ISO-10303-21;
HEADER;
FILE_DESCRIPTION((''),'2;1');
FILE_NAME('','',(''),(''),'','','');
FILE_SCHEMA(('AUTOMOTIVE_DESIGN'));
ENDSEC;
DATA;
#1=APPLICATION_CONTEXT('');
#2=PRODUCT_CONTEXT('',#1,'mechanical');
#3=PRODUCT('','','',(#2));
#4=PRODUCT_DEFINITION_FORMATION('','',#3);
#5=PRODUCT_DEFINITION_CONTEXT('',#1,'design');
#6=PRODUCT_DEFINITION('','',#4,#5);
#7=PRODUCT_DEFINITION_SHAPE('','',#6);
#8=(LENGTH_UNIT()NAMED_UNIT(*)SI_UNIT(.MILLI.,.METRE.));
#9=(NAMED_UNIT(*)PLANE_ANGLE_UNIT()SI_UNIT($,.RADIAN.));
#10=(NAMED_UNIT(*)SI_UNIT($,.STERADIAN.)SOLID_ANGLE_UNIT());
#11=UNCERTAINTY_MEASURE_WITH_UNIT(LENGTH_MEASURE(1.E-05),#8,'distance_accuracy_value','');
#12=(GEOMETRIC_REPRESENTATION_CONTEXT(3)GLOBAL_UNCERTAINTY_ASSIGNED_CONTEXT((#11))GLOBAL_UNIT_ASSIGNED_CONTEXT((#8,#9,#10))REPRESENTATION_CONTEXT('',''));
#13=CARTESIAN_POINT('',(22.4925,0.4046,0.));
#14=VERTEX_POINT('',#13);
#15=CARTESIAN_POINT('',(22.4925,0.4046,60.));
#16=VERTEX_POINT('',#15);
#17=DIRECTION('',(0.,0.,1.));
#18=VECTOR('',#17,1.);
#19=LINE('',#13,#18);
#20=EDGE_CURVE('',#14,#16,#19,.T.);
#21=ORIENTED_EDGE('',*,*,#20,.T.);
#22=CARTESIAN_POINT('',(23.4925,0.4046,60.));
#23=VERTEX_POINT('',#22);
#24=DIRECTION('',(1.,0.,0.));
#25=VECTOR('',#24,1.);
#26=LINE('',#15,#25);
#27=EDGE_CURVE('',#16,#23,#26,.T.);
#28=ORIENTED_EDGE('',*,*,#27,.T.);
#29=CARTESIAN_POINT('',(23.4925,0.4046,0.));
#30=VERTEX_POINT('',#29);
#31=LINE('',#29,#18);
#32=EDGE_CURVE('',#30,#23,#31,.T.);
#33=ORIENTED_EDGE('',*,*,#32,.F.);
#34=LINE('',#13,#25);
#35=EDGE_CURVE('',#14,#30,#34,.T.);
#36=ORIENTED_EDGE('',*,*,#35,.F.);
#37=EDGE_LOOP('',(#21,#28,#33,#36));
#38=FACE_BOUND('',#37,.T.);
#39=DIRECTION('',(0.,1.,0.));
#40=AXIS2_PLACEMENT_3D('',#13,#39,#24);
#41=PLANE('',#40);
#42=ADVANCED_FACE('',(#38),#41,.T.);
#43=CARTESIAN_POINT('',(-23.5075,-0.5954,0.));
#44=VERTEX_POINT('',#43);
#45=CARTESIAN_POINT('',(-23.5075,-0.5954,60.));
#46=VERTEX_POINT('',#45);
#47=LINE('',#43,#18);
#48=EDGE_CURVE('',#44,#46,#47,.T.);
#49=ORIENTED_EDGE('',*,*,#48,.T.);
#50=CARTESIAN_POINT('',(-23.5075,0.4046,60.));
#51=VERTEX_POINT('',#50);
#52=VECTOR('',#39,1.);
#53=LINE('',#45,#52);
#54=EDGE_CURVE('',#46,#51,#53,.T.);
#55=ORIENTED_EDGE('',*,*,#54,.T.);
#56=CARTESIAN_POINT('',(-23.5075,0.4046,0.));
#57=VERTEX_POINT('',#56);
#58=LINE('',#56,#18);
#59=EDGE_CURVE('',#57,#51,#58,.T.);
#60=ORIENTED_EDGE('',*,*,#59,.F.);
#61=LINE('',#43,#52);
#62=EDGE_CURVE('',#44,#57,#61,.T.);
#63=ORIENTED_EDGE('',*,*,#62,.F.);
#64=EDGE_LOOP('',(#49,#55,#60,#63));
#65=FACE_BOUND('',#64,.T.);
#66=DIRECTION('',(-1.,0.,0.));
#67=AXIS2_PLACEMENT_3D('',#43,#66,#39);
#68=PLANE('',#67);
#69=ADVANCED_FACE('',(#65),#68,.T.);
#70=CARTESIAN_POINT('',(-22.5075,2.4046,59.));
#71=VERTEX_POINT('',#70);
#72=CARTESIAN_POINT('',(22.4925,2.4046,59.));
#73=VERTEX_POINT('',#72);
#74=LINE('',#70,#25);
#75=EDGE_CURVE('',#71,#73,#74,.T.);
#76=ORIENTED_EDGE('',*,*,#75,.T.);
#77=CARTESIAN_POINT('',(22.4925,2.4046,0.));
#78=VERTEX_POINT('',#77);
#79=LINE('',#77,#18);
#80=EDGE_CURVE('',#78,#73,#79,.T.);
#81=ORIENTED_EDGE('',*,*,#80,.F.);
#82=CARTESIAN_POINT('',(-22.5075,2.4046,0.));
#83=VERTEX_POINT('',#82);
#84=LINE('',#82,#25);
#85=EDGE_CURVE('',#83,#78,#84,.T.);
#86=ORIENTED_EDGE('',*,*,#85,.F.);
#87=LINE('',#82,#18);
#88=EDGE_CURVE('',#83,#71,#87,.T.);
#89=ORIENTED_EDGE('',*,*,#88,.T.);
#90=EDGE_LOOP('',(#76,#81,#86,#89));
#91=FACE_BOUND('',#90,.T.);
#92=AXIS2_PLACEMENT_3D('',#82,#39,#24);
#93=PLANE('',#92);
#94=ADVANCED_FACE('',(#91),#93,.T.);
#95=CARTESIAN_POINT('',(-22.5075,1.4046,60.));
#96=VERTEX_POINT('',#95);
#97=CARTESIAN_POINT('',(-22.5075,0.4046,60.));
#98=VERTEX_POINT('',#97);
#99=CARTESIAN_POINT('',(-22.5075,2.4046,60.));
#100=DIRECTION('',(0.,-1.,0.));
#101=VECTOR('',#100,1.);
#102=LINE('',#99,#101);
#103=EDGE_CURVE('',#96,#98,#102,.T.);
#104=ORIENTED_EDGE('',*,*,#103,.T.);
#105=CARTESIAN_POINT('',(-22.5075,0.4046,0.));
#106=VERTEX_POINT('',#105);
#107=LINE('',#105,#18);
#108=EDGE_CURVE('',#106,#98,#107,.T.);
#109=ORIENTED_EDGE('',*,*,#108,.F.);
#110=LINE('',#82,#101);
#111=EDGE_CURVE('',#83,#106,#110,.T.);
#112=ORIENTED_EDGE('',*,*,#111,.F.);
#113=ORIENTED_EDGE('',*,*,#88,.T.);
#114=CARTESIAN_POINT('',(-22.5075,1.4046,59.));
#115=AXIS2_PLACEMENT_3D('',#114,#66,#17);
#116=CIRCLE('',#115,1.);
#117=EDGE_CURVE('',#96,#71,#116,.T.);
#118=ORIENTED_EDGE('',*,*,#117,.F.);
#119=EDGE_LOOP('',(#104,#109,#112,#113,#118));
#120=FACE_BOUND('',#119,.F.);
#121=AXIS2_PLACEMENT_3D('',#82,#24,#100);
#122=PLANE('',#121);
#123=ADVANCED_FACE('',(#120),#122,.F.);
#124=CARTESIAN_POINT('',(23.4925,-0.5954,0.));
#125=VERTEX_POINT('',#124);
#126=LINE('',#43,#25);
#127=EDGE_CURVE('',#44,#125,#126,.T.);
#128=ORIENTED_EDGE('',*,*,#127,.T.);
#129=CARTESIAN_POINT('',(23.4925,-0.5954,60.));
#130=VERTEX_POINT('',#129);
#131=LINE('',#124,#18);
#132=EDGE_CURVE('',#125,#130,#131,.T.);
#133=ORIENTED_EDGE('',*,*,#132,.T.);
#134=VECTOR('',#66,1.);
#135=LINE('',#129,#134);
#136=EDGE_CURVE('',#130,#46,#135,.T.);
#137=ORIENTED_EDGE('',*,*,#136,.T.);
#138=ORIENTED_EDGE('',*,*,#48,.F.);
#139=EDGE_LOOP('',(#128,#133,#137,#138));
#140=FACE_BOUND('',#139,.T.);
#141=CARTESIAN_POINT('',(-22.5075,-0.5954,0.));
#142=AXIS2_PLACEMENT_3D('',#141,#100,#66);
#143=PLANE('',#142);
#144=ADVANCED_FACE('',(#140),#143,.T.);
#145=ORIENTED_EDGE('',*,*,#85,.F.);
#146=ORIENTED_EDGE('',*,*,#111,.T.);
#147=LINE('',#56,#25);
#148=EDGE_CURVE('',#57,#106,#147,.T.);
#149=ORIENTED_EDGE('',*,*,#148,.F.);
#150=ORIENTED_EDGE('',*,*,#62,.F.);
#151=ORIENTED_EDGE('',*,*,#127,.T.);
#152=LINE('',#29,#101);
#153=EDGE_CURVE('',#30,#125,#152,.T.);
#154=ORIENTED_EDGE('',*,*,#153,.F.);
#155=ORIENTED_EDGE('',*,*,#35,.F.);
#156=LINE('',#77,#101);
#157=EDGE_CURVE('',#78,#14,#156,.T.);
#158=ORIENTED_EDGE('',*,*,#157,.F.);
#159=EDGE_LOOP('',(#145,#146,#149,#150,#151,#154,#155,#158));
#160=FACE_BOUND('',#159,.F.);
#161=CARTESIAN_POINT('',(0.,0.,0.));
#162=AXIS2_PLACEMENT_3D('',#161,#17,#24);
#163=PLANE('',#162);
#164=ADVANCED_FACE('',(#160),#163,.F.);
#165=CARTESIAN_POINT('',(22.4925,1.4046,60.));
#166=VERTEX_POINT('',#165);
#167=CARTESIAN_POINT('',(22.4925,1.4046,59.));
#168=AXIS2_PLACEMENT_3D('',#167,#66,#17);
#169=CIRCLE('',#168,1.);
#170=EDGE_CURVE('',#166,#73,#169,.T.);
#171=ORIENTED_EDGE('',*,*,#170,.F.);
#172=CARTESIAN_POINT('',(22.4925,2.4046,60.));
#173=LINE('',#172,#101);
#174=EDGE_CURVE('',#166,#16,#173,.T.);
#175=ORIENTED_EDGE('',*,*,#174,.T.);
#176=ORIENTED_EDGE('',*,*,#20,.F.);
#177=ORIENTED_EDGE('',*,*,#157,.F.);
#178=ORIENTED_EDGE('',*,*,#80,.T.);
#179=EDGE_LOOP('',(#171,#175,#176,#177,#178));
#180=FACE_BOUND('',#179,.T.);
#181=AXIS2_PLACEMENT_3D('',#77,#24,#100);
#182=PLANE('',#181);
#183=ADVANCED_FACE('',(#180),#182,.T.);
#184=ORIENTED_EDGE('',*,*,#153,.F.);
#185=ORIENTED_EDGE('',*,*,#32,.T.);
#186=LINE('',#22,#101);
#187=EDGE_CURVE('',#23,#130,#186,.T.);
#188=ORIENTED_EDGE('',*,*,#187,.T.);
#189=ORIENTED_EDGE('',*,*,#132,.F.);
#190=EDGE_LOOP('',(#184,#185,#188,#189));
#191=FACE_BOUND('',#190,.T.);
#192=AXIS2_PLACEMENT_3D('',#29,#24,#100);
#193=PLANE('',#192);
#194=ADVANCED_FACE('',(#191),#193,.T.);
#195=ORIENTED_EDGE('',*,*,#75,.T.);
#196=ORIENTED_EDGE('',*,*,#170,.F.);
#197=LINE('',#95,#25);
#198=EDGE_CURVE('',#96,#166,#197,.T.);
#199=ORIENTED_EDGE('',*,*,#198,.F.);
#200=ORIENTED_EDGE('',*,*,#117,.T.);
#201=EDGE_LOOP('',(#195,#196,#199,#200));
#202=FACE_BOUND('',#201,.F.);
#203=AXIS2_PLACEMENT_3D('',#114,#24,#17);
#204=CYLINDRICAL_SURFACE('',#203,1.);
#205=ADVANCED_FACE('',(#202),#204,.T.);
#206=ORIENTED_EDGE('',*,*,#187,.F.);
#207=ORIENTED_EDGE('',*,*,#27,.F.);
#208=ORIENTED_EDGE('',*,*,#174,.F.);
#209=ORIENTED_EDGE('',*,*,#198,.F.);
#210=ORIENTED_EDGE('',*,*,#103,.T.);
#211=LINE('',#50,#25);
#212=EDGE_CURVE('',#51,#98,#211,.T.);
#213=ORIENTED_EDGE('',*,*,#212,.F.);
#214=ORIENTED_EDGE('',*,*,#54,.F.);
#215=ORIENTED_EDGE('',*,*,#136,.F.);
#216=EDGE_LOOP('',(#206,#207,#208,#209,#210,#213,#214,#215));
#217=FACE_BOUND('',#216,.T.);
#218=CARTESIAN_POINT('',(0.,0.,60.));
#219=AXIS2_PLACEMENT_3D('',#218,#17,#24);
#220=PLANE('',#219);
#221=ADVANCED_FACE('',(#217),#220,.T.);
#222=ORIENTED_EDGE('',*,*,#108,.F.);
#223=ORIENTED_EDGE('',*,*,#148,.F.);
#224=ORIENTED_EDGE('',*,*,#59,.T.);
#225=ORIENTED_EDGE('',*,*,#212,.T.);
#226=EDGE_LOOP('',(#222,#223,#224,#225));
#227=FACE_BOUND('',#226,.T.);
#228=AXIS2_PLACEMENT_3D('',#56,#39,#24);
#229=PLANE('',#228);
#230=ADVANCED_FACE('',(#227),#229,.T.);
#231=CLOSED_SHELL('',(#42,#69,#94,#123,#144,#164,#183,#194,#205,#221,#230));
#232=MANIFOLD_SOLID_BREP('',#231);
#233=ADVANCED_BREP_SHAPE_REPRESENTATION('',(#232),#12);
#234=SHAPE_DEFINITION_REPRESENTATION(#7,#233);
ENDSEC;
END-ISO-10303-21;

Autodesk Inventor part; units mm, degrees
ref_plane "YZ Plane" through (0, 0, 0) normal (1, 0, 0) x (0, 1, 0)
ref_plane "XZ Plane" through (0, 0, 0) normal (0, 1, 0) x (-1, 0, 0)
ref_plane "XY Plane" through (0, 0, 0) normal (0, 0, 1) x (1, 0, 0)
sketch "Sketch1" plane through (0, 0, 0) normal (0, 0, 1) x (1, 0, 0)
  line L0 (-22.5075, -0.5954) -> (22.4925, -0.5954)
  line L1 (22.4925, -0.5954) -> (22.4925, 0.4046)
  line L2 (-22.5075, -0.5954) -> (-23.5075, -0.5954)
  line L3 (-23.5075, -0.5954) -> (-23.5075, 0.4046)
  line L4 (-22.5075, 2.4046) -> (22.4925, 2.4046)
  line L5 (22.4925, 2.4046) -> (22.4925, 0.4046)
  line L6 (22.4925, 0.4046) -> (23.4925, 0.4046)
  line L7 (23.4925, 0.4046) -> (23.4925, -0.5954)
  line L8 (23.4925, -0.5954) -> (22.4925, -0.5954)
  line L9 (-23.5075, 0.4046) -> (-22.5075, 0.4046)
  line L10 (-22.5075, 2.4046) -> (-22.5075, 0.4046)
  point P0 (0, 0)
  dimension "d2" = 1
  dimension "d3" = 1
  dimension "d5" = 1
  dimension "d6" = 1
  dimension "d7" = 3
  dimension "d11" = 2
extrude "Extrusion1" add sketch "Sketch1" along normal blind 60
fillet "Fillet1" radius 1 1 edges at (-0.0075, 2.4046, 60)
properties part number "upper coverr_3DPrint"
